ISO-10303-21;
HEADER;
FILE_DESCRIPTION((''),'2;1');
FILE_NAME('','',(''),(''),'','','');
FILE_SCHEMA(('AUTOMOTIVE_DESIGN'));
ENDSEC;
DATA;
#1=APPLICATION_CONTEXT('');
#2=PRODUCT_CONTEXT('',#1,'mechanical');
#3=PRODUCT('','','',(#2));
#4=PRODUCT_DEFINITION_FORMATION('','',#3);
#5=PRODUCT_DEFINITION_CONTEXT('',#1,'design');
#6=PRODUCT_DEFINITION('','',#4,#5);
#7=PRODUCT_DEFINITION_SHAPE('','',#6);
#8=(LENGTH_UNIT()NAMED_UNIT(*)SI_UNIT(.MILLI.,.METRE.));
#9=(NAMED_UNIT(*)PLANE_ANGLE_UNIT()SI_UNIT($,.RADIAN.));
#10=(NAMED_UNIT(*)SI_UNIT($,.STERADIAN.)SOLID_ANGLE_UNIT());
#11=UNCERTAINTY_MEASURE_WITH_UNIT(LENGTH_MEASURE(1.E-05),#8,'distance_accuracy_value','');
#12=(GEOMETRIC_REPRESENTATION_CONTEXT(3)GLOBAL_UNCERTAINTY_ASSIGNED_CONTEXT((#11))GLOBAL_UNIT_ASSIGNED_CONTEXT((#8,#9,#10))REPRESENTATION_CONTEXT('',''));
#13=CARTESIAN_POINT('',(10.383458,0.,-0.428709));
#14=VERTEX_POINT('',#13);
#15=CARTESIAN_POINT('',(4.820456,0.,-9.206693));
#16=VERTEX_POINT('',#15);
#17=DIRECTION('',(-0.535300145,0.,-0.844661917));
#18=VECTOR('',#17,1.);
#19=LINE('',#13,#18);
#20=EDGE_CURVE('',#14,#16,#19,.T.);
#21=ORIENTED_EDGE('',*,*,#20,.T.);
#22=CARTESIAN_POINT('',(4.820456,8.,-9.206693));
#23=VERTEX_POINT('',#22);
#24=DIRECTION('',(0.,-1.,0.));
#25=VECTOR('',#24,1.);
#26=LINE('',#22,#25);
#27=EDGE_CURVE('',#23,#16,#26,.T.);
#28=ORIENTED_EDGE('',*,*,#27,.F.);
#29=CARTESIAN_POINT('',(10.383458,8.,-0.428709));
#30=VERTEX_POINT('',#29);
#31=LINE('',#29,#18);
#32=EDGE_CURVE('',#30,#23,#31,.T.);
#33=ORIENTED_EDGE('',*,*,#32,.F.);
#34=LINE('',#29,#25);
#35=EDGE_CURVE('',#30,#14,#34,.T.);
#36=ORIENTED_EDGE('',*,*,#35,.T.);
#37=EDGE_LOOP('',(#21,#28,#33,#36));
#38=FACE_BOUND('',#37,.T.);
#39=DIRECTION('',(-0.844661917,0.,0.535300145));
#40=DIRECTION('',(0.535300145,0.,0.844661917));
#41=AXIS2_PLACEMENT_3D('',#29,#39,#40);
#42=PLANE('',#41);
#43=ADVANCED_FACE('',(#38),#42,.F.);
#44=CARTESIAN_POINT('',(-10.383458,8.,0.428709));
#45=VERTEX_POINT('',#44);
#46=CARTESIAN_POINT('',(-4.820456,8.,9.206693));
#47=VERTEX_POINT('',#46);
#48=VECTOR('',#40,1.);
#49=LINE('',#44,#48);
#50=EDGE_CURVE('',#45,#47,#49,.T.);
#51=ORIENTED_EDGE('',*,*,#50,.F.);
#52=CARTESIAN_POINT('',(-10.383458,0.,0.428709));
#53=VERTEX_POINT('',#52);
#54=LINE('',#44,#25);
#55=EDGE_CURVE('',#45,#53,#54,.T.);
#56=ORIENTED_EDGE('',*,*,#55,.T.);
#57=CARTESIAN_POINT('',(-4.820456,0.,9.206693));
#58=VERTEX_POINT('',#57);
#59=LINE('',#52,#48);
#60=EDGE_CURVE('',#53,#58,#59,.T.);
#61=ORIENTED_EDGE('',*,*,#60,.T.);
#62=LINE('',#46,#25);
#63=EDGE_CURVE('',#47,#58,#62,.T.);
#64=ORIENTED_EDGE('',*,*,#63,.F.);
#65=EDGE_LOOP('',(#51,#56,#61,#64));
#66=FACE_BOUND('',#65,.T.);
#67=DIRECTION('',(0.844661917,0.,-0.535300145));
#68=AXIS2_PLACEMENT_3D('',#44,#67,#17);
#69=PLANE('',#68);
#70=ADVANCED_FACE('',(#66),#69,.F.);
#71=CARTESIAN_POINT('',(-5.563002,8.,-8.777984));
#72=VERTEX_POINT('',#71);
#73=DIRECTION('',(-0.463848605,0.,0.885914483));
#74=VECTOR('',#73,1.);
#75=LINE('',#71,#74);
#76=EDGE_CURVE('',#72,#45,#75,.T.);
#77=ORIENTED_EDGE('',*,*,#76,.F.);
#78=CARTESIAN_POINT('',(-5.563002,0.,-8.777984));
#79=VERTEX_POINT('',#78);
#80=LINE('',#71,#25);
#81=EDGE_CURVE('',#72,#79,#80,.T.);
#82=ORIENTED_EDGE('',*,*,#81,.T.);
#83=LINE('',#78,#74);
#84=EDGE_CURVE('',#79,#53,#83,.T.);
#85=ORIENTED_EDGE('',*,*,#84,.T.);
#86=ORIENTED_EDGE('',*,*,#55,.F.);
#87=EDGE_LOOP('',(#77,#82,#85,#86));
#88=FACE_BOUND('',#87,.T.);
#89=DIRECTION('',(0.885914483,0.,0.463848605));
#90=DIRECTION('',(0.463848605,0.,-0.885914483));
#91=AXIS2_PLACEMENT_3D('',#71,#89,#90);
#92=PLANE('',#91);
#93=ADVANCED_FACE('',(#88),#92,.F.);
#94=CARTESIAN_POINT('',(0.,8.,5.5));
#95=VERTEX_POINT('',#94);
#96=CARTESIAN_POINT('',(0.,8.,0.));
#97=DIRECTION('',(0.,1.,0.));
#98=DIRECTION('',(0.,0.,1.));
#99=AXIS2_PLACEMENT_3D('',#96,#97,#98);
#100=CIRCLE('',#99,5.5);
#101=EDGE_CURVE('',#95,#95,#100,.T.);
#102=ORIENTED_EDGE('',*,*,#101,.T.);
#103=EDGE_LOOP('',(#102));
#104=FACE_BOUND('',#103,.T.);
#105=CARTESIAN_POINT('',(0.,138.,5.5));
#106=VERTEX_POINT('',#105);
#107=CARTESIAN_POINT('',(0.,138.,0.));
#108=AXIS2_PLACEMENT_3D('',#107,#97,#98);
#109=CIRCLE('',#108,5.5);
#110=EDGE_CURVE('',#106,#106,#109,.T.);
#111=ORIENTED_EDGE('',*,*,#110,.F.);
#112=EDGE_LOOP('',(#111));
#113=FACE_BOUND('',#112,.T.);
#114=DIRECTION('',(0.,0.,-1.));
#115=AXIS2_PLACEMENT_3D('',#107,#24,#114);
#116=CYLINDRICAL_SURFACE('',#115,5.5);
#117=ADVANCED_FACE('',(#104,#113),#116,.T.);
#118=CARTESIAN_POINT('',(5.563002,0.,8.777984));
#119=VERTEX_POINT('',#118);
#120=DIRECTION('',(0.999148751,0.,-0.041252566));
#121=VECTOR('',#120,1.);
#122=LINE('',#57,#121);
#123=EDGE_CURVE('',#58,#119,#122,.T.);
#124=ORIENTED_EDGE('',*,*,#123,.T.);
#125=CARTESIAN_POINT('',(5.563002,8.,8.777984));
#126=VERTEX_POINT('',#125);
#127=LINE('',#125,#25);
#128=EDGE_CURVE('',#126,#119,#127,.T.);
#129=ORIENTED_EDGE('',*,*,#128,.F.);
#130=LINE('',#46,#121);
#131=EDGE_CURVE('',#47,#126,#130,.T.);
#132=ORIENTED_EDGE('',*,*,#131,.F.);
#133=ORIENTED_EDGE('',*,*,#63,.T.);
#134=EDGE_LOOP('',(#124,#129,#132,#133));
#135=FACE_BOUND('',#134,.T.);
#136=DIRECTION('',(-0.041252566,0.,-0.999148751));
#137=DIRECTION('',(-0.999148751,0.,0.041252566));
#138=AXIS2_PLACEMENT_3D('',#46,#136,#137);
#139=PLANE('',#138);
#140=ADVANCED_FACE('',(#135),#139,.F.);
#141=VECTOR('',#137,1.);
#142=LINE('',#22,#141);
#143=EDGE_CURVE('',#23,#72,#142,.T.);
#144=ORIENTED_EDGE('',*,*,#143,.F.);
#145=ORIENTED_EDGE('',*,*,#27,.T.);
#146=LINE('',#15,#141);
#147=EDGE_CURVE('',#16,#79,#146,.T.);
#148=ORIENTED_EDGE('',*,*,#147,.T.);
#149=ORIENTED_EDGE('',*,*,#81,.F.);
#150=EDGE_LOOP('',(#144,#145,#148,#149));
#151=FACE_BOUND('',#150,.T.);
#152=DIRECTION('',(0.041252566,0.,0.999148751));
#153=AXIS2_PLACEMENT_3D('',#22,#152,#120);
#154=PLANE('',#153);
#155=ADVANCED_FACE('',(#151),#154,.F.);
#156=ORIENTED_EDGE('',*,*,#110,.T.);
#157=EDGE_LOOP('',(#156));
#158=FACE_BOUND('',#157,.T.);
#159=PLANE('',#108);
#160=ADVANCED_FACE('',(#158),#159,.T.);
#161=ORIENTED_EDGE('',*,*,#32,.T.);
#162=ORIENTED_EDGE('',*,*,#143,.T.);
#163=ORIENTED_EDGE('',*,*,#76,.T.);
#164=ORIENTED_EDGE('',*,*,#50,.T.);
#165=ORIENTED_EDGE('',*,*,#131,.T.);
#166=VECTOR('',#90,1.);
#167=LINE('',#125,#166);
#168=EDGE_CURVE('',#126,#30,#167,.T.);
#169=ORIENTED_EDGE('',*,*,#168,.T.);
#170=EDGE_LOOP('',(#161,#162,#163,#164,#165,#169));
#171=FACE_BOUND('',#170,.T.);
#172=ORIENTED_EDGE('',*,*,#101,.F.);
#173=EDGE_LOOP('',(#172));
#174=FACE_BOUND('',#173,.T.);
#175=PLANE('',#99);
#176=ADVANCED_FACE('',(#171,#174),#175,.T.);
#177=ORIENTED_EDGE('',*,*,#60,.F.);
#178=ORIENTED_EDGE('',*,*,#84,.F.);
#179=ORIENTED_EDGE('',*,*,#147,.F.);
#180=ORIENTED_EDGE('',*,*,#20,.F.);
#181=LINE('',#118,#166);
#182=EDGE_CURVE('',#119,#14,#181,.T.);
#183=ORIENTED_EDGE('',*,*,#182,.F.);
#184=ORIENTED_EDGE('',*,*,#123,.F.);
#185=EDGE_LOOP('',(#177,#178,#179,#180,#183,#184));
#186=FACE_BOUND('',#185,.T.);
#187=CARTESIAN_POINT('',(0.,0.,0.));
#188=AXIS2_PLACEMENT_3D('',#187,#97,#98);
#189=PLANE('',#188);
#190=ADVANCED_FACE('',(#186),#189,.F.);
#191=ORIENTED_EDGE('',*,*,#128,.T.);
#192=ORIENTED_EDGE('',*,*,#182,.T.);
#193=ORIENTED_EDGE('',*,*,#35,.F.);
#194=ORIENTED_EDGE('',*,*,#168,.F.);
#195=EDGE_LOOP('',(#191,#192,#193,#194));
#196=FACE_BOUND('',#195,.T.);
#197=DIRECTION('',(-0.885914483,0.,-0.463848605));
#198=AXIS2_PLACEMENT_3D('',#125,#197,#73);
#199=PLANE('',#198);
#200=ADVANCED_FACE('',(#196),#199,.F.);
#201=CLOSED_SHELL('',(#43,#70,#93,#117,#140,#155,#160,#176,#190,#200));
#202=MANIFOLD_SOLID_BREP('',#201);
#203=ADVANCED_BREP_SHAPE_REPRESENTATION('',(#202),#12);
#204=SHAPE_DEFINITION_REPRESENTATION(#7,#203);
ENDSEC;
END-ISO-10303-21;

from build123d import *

# Parameters (mm, degrees)
BOSS_EXTRUDE1_DEPTH = 8
SKETCH3_R           = 5.5
BOSS_EXTRUDE2_DEPTH = 130


with BuildPart() as part:
    # Sketch2 → Boss-Extrude1 (new body)
    with BuildSketch(Plane(origin=(0, 0, 0), x_dir=(1, 0, 0), z_dir=(0, 1, 0))):
        Polygon((-5.563002292, 8.777984136), (-10.383458402, -0.428709238), (-4.82045611, -9.206693374), (5.563002292, -8.777984136), (10.383458402, 0.428709238), (4.82045611, 9.206693374), align=None)
    extrude(amount=BOSS_EXTRUDE1_DEPTH)

    # Sketch3 → Boss-Extrude2 (add)
    with BuildSketch(Plane(origin=(0, 8, 0), x_dir=(1, 0, 0), z_dir=(0, 1, 0))):
        with Locations(Location((0, 0, 0), (0, 0, 270))):
            Circle(SKETCH3_R)
    extrude(amount=BOSS_EXTRUDE2_DEPTH)


solid = part.part
